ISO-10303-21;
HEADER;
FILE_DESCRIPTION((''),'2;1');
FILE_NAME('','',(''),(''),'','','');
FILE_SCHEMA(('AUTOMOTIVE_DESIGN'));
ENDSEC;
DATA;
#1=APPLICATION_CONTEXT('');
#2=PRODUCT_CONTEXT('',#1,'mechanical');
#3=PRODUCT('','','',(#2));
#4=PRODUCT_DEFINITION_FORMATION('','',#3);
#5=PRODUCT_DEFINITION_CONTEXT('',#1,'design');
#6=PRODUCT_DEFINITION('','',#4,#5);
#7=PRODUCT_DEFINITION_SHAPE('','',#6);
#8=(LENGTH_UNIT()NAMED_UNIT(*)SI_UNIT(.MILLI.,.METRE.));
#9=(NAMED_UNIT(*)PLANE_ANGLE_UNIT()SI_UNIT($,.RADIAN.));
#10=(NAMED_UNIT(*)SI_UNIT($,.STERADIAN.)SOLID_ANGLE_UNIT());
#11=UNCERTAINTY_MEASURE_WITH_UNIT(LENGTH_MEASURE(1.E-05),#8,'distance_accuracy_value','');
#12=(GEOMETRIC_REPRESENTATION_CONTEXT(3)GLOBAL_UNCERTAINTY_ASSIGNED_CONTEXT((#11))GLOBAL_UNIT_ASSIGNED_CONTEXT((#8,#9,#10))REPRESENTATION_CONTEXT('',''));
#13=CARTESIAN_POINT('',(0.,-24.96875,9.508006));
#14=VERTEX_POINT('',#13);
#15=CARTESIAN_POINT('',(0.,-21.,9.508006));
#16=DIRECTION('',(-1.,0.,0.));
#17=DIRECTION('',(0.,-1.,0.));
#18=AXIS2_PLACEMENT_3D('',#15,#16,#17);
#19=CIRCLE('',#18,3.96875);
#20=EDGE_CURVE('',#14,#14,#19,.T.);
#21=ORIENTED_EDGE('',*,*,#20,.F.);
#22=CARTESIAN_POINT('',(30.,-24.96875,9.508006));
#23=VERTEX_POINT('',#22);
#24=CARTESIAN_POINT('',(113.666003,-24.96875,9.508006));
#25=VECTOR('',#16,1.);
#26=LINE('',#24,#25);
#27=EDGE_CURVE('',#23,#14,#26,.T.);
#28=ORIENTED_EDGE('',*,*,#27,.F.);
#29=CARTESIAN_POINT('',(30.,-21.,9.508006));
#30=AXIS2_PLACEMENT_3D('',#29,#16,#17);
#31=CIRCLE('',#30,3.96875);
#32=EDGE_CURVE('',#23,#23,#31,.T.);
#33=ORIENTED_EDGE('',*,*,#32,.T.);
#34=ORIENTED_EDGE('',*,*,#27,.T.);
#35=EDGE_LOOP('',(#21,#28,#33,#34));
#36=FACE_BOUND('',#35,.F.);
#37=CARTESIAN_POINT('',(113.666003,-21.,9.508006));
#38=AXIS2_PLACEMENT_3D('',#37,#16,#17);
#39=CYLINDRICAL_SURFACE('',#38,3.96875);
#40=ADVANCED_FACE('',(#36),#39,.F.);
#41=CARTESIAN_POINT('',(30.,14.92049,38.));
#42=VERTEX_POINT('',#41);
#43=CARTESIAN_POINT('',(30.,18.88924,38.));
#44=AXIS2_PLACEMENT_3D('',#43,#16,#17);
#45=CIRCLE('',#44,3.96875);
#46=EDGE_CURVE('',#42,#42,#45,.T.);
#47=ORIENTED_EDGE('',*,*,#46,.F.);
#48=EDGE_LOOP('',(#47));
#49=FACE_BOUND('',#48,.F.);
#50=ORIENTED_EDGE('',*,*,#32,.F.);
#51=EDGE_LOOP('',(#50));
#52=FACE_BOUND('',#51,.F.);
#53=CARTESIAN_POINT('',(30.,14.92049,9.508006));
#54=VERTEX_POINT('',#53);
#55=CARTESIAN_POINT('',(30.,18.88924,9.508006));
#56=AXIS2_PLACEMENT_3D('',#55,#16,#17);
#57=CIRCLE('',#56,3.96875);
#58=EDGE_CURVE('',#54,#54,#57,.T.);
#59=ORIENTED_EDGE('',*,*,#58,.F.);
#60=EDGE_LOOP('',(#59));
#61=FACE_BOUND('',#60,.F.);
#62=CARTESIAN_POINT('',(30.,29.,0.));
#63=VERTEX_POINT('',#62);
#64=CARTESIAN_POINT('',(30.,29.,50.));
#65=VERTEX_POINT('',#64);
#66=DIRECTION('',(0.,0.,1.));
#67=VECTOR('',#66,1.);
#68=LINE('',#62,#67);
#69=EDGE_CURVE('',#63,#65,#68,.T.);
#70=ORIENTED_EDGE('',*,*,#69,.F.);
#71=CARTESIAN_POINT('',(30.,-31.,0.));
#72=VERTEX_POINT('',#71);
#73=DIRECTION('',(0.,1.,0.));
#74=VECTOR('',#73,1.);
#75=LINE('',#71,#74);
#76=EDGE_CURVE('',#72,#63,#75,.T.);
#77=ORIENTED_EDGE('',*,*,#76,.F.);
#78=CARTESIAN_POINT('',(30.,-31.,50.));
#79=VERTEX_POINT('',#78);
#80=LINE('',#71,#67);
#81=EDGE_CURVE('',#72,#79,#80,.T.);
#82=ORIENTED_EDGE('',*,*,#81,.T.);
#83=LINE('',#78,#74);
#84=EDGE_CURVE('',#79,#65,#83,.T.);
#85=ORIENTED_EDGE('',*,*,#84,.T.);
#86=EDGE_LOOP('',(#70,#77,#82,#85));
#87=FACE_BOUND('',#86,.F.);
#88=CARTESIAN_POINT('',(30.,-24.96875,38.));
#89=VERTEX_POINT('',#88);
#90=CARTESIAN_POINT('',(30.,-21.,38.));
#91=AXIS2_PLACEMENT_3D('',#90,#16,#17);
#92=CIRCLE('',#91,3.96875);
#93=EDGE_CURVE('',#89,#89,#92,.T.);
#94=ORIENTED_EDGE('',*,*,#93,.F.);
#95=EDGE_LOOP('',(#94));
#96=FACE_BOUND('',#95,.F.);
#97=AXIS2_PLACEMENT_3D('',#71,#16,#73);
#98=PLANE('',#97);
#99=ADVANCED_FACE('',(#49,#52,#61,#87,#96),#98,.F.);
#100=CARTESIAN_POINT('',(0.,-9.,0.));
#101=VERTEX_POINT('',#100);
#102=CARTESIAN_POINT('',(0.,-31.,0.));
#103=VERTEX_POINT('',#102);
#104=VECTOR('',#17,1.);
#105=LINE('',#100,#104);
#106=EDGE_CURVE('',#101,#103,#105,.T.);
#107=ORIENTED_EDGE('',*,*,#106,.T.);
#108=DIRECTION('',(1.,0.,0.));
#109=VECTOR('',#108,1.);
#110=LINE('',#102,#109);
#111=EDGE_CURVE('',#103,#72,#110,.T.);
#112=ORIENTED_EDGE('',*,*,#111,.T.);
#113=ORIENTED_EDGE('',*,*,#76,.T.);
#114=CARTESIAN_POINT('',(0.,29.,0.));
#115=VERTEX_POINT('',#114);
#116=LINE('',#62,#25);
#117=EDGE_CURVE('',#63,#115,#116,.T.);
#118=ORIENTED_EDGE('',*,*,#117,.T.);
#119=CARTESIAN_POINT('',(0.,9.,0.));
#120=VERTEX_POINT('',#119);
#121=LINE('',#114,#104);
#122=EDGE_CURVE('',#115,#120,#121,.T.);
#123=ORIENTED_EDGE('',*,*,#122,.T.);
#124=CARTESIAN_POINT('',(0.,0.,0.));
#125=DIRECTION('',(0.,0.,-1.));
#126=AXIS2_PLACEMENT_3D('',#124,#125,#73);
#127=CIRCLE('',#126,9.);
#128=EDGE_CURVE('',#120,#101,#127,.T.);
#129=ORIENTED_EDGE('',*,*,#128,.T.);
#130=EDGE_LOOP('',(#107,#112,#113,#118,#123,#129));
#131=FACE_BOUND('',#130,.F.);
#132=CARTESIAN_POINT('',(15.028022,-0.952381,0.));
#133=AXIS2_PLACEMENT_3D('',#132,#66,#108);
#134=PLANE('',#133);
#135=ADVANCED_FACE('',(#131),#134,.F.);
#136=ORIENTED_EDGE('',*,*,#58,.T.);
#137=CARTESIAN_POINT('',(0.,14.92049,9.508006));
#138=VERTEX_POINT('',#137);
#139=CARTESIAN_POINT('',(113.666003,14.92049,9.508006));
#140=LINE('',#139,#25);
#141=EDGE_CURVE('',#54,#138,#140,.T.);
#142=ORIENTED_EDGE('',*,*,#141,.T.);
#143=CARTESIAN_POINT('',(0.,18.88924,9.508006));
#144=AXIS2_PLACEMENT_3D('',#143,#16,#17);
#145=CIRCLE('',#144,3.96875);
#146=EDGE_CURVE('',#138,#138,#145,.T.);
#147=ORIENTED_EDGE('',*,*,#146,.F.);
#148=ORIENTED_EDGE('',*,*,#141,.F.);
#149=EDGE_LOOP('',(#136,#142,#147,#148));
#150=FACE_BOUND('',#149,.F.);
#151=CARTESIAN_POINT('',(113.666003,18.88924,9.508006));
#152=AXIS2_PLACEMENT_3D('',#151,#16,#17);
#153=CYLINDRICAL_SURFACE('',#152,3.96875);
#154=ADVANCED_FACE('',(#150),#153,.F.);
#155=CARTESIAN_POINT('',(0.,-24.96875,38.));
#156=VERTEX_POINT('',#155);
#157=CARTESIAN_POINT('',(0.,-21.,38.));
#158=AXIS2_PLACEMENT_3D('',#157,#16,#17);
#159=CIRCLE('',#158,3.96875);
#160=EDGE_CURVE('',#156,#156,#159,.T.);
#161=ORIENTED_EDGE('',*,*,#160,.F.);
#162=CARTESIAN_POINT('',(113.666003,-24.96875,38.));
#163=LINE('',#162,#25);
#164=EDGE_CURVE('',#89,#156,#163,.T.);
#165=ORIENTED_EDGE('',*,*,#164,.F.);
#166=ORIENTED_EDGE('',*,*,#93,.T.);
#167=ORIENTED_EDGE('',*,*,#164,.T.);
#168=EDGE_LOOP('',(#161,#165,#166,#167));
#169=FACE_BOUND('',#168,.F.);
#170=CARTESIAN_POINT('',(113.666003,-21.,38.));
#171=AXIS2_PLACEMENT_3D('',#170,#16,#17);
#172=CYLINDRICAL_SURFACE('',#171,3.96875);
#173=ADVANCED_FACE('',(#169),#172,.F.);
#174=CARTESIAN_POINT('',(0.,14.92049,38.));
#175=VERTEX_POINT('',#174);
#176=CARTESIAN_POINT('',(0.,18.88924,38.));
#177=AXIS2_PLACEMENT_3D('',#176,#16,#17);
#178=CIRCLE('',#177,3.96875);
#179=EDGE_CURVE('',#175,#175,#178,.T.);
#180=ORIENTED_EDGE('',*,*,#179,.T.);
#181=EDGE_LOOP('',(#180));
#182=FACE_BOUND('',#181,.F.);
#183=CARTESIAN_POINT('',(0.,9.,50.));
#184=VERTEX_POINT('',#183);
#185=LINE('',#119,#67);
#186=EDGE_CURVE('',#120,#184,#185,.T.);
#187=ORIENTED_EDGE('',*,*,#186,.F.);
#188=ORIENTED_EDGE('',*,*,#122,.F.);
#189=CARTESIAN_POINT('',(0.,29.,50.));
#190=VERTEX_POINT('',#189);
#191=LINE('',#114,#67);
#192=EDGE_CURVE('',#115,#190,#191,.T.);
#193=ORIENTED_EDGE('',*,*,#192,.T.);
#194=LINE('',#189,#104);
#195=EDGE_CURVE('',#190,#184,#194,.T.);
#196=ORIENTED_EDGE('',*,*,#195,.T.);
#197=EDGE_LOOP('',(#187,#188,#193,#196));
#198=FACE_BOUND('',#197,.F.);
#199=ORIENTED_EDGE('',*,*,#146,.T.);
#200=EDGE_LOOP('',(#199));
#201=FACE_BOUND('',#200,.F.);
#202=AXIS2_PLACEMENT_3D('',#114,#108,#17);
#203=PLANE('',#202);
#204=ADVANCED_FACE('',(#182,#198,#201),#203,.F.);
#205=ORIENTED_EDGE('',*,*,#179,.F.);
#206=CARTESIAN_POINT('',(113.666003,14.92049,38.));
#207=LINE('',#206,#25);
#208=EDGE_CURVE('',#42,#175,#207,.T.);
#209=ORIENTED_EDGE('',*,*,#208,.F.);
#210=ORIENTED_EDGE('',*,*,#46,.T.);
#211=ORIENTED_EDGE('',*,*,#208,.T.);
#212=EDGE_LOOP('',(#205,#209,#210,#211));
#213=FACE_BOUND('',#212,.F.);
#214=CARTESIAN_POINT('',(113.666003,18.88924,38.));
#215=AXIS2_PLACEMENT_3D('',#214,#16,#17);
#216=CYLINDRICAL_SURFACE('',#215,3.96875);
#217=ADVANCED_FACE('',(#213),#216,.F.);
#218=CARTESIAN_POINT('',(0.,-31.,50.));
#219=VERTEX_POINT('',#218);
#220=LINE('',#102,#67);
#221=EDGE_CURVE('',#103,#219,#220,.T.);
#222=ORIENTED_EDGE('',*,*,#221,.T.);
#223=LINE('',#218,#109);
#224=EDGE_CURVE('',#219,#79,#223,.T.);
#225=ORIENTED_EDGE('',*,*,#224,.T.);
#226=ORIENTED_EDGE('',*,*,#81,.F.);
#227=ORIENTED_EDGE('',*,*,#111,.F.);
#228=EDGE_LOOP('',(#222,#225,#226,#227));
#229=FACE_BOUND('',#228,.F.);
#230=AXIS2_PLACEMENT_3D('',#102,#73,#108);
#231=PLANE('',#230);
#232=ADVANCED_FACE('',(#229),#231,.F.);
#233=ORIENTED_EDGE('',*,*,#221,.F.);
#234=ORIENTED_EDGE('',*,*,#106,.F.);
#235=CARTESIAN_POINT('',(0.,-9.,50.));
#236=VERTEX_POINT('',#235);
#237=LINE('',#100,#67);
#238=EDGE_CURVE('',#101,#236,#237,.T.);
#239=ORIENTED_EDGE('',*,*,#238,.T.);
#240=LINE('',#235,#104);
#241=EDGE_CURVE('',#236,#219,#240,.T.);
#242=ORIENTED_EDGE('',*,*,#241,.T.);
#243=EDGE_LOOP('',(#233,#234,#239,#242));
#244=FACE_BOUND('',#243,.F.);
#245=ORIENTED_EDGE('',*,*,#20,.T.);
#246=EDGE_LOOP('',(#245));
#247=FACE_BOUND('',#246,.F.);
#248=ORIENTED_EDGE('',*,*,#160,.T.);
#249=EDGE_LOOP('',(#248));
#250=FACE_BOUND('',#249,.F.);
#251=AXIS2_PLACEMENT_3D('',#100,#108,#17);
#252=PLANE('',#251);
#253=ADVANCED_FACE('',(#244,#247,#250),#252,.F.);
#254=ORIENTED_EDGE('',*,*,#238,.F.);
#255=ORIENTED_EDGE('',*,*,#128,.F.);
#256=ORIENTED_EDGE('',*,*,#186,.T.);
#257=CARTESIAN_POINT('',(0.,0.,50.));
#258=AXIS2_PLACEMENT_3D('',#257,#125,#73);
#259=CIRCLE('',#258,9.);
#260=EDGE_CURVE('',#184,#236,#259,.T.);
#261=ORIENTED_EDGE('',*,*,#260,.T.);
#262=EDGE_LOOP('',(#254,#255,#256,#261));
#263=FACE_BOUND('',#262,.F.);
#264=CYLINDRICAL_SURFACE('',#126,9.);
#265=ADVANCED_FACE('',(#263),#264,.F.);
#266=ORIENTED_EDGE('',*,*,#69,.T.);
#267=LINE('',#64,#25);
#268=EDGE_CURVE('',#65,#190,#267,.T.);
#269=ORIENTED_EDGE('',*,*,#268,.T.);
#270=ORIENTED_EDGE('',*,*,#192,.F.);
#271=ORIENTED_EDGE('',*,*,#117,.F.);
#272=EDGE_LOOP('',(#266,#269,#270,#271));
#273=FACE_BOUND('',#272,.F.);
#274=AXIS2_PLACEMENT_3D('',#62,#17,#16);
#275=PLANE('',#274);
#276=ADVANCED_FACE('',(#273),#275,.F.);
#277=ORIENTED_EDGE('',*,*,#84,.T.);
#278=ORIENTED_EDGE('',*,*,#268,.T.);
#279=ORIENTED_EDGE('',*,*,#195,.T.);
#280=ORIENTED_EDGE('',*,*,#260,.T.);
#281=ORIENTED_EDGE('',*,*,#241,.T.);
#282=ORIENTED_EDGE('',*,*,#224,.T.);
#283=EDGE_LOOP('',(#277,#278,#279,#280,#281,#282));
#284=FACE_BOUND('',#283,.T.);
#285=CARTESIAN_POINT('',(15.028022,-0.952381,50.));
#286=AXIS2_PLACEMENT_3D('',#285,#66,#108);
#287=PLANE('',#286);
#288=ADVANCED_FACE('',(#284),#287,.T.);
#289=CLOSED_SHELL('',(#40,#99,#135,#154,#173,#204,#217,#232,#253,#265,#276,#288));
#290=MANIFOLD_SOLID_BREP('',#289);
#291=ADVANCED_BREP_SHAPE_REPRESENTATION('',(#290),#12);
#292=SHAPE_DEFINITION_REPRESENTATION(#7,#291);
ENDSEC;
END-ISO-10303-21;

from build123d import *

# Parameters (mm, degrees)
F1_DEPTH = 50
F3_D     = 7.9375


with BuildPart() as f1:
    # F0 (on Top) → F1 (new body)
    with BuildSketch(Plane.XY):
        with BuildLine():
            ThreePointArc((0, 9), (9, 0), (0, -9))
            Line((0, -9), (0, -31))
            Line((0, -31), (30, -31))
            Line((30, -31), (30, 29))
            Line((30, 29), (0, 29))
            Line((0, 29), (0, 9))
        make_face()
    extrude(amount=F1_DEPTH)

    # F3 (through all)
    with Locations(Plane.YZ.offset(30)):
        with Locations((-21, 38), (-21, 9.508006103), (18.8892395088, 38), (18.8892395088, 9.508006103)):
            Hole(F3_D / 2)


solid = f1.part
